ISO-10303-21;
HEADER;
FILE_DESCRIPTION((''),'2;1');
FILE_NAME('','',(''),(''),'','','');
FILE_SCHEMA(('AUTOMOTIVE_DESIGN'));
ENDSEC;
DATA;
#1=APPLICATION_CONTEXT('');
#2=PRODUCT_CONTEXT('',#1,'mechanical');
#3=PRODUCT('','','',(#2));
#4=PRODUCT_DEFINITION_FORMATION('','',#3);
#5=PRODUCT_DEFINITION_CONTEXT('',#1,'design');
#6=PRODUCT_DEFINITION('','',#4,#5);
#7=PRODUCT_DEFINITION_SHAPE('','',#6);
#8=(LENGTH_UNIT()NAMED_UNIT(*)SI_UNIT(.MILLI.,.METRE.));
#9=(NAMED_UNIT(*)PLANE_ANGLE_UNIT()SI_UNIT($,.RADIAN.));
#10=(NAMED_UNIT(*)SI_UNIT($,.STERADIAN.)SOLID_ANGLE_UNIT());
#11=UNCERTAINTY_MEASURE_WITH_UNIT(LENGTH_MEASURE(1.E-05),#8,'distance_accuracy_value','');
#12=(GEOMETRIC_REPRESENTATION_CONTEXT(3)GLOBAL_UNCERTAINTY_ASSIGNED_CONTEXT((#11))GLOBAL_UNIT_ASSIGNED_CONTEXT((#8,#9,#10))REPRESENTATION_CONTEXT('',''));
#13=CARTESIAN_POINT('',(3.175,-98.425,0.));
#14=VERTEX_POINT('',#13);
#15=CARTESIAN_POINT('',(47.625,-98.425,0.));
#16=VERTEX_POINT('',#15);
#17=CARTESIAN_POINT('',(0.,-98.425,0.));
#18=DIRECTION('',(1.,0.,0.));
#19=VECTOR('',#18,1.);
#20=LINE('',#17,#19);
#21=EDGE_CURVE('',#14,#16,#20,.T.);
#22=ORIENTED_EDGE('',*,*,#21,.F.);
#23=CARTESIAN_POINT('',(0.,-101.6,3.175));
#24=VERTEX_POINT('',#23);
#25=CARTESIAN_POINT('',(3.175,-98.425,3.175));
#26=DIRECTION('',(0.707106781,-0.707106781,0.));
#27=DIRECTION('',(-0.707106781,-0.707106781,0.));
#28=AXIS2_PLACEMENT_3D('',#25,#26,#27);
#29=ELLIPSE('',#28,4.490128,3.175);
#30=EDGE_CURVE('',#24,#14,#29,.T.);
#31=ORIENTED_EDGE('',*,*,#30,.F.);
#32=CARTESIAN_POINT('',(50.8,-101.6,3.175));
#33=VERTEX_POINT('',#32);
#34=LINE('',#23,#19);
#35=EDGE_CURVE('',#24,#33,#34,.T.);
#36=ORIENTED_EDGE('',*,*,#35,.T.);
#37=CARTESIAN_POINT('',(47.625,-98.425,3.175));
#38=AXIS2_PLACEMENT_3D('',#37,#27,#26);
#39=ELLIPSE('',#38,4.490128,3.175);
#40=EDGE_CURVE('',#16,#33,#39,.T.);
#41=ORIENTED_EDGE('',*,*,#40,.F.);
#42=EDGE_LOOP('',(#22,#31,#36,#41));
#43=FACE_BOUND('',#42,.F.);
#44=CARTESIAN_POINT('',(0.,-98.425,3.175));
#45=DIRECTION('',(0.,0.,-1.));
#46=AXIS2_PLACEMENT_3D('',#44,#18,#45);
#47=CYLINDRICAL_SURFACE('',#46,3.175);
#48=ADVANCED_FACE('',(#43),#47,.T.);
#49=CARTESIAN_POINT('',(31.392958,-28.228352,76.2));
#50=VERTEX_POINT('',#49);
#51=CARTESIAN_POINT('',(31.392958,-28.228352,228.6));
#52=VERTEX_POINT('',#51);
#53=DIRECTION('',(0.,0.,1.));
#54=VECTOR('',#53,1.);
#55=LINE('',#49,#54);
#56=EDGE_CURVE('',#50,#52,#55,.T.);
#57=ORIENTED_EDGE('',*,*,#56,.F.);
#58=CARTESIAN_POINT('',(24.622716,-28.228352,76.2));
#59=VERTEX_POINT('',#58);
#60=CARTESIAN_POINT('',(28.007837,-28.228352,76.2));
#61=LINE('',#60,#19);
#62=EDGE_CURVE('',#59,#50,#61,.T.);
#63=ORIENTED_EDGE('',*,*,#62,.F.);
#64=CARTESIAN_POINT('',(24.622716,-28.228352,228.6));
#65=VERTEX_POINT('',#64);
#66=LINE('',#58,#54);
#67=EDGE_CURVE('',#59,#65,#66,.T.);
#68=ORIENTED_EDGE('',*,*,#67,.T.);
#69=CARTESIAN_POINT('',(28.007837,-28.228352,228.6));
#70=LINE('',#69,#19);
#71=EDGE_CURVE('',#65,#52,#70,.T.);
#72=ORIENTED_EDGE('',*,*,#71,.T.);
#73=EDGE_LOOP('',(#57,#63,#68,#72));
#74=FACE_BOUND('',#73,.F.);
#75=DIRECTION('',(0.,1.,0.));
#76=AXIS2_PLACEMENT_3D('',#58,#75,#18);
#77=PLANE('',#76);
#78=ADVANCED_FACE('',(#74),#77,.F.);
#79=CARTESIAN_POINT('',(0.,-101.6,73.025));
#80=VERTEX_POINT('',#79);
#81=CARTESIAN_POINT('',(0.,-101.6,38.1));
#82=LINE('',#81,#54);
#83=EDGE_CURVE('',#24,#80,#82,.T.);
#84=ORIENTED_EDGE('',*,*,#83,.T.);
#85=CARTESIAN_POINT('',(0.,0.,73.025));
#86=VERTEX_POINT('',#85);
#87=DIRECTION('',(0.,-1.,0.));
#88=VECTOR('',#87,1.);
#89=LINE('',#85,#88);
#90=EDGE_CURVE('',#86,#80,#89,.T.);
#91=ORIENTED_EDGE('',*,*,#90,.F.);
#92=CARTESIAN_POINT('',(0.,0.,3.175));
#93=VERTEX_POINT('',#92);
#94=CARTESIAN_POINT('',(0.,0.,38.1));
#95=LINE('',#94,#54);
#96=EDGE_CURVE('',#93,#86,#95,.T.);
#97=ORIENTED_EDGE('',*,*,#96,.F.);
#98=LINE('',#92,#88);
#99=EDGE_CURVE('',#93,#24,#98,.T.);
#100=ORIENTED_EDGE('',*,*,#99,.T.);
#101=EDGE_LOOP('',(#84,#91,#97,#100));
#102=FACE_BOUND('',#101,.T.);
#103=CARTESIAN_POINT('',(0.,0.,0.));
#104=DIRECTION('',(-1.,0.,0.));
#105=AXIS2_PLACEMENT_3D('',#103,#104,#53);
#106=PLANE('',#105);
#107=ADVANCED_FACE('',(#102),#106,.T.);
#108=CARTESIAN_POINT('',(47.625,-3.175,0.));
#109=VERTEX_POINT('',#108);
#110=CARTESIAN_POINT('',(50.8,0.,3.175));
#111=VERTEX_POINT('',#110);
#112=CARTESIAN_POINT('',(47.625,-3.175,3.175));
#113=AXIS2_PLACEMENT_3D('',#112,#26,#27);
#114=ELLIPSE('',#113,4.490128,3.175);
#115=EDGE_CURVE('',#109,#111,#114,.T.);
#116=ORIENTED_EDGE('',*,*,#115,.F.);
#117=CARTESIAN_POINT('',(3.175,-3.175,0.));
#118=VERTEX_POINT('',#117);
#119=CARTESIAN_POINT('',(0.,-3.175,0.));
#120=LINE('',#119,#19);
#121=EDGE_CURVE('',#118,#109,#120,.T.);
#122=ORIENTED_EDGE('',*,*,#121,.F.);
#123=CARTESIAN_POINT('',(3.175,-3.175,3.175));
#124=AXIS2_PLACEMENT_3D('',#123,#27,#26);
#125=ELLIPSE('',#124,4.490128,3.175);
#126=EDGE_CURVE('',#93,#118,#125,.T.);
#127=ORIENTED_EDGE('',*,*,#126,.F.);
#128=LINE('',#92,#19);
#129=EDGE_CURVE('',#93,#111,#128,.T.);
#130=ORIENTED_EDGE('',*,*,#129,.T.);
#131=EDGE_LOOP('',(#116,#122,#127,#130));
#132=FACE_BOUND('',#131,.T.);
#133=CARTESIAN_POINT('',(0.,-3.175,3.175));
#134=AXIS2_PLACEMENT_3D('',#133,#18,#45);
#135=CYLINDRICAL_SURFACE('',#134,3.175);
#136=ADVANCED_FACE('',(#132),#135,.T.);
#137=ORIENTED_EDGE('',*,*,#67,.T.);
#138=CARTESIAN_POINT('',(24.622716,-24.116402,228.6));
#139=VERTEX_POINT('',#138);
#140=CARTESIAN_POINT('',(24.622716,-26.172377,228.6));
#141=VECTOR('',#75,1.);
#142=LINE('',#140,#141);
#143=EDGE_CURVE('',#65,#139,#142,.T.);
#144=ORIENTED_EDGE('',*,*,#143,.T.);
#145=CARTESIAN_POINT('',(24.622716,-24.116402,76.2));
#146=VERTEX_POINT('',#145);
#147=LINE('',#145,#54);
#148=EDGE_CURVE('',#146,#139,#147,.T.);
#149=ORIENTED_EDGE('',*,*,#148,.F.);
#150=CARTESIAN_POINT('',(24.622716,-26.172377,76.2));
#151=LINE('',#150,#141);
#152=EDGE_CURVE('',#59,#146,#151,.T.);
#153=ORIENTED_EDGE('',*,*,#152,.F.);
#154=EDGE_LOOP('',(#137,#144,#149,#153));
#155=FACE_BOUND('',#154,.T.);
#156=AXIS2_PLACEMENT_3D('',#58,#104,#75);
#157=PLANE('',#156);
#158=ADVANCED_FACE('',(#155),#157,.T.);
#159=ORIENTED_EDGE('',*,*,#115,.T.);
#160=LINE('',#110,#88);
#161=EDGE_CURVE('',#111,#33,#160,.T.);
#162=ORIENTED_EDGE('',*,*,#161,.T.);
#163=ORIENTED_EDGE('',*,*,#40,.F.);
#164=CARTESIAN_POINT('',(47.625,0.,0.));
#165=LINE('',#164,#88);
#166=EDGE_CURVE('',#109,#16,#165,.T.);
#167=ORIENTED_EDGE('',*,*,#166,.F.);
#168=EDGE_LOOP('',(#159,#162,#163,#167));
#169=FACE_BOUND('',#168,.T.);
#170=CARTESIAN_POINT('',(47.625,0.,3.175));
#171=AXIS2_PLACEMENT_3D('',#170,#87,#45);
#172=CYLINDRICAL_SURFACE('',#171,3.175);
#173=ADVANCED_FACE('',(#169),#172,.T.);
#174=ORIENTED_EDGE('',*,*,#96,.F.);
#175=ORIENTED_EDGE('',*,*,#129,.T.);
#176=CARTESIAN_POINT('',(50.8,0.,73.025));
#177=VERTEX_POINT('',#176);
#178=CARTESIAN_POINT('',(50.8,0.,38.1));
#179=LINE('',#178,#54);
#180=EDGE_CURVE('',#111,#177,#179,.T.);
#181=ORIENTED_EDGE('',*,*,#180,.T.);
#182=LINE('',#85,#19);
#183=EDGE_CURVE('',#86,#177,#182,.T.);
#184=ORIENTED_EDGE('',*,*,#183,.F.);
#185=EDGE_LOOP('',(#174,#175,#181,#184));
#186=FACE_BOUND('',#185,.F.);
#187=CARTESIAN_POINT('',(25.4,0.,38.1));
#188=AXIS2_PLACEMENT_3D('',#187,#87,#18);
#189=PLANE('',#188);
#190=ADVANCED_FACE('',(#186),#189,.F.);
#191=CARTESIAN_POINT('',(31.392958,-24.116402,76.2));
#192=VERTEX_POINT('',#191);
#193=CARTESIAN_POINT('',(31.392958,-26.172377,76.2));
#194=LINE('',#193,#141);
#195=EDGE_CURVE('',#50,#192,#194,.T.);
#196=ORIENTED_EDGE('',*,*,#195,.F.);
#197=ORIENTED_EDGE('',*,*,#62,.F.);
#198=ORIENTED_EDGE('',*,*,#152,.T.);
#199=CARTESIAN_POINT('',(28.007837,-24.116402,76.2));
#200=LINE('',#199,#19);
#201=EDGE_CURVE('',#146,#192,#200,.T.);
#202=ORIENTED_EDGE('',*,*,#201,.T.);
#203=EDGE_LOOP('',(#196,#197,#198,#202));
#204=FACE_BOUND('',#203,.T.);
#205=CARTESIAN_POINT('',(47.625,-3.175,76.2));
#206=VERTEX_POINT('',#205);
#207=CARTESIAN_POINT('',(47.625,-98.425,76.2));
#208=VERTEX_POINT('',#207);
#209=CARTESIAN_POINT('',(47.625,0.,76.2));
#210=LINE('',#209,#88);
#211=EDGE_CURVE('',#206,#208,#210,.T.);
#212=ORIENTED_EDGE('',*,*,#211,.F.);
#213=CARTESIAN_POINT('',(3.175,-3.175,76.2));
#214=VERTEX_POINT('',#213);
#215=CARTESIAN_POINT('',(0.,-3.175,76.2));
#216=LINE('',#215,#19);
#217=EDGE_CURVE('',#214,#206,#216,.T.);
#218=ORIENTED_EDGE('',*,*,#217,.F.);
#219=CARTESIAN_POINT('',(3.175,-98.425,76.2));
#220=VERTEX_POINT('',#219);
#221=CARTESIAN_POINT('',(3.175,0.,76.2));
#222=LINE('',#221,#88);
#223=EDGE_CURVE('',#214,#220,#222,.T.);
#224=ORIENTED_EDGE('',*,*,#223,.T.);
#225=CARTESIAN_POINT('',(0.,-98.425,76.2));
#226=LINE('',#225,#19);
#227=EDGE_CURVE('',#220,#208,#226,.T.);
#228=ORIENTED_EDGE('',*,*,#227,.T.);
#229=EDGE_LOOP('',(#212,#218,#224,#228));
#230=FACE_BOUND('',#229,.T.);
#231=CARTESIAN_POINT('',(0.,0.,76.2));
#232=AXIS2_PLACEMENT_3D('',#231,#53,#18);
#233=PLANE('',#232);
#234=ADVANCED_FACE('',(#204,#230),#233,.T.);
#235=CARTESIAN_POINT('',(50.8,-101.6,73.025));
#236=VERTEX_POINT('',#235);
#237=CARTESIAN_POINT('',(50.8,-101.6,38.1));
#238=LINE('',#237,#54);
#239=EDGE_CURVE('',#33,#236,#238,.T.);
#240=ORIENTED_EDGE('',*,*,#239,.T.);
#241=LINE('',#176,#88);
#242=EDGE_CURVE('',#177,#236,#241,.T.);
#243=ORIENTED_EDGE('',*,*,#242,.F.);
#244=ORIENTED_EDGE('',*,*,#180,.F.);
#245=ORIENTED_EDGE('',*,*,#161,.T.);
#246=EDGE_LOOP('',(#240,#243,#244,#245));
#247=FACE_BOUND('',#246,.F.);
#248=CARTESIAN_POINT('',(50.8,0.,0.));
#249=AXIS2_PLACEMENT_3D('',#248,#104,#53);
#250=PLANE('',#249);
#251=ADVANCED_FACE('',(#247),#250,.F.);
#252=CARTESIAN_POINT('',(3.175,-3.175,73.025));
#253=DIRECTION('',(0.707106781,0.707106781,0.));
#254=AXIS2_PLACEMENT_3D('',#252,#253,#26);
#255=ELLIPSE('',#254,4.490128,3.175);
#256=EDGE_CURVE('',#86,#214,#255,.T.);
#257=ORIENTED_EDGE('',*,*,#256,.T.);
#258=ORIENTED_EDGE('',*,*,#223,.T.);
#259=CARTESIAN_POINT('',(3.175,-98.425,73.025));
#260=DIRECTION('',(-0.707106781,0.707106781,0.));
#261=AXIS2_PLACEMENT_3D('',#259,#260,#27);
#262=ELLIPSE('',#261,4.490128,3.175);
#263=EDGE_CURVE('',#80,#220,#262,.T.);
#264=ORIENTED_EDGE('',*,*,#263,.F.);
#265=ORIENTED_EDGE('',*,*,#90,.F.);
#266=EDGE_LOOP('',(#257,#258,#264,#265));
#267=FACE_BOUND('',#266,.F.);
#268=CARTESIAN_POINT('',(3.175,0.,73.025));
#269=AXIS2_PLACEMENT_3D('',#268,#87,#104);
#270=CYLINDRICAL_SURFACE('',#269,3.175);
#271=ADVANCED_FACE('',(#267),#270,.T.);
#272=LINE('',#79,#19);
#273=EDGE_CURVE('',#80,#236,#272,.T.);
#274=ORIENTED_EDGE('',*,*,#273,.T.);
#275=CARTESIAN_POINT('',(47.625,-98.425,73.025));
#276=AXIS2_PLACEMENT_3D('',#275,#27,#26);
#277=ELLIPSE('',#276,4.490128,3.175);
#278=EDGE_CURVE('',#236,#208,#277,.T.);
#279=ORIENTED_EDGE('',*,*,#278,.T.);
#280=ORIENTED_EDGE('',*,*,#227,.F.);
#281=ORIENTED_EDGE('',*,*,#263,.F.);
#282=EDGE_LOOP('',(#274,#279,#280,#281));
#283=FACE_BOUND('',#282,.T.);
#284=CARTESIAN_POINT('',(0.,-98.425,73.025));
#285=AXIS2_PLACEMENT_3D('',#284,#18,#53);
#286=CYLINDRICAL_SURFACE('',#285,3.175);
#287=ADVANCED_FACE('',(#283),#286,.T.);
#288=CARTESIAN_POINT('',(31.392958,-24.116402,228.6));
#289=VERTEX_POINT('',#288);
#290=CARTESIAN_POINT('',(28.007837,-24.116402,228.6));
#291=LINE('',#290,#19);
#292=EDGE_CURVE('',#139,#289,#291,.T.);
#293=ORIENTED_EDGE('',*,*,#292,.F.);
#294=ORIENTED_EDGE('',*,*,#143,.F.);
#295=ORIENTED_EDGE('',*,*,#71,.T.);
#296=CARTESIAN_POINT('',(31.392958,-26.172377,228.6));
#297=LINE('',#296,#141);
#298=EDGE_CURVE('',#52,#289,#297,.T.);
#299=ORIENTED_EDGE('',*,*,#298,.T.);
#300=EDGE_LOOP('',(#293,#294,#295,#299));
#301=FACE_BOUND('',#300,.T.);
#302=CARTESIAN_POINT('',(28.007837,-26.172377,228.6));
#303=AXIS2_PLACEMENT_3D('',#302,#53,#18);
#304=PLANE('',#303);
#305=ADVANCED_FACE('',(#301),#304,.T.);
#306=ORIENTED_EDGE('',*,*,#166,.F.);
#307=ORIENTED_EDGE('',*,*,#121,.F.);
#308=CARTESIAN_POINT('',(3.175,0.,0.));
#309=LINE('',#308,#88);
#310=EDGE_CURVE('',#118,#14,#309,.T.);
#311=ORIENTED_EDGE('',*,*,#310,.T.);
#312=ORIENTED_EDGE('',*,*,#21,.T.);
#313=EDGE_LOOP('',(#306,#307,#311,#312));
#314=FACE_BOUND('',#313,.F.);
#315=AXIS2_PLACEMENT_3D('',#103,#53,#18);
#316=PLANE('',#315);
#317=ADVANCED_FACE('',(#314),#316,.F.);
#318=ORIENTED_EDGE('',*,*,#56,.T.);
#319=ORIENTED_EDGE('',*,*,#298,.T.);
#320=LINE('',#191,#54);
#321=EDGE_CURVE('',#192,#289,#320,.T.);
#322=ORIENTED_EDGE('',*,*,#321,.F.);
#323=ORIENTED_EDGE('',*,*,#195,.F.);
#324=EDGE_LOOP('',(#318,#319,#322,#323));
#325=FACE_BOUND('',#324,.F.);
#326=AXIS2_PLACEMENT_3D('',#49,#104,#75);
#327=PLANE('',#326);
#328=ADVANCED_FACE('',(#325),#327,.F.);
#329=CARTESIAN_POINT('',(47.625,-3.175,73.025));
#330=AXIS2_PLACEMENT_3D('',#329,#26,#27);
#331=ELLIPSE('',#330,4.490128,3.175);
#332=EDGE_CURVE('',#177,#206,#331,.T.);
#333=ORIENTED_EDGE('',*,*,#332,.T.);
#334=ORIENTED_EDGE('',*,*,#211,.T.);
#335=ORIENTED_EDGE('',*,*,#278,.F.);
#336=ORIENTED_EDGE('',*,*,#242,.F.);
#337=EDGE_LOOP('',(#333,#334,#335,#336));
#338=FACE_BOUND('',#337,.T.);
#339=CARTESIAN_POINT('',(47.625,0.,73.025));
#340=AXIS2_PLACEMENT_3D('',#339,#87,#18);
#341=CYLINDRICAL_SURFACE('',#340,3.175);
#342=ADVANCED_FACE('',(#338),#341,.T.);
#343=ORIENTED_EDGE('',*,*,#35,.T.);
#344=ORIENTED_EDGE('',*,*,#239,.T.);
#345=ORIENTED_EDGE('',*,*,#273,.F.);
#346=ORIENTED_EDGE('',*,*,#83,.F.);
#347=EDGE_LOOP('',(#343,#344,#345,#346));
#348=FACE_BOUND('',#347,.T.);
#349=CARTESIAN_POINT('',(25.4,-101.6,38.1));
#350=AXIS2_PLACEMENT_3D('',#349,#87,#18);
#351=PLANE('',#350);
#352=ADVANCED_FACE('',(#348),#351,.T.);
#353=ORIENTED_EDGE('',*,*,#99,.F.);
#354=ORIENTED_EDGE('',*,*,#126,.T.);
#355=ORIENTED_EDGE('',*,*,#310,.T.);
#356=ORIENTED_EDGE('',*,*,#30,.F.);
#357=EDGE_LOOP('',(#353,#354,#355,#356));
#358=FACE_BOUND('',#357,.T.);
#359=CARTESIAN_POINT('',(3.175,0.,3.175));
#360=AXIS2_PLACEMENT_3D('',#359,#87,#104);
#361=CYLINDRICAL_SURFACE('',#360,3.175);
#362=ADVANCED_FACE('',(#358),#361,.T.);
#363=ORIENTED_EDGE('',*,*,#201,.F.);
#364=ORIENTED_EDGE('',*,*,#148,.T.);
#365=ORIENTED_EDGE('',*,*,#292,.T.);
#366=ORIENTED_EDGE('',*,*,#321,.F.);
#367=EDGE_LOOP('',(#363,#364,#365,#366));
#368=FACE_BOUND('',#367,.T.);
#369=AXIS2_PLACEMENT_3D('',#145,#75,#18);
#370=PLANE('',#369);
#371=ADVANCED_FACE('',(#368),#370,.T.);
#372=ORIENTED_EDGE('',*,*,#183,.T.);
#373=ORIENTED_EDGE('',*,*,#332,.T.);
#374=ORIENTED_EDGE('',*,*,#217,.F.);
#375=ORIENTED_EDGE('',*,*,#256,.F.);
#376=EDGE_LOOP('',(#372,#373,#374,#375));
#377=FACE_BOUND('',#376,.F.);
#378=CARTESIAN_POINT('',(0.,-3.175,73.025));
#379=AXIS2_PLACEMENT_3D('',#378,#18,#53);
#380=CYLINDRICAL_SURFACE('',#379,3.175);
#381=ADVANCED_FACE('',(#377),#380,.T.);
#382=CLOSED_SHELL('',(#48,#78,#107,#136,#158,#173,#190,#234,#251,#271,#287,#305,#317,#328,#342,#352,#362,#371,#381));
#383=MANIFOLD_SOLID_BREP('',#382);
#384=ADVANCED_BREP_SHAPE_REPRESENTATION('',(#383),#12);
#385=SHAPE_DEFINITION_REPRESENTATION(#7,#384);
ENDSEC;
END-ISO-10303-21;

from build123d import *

# Parameters (mm, degrees)
F0_W     = 50.8
F0_H     = 76.2
F1_DEPTH = 101.6
F2_R     = 3.175
F3_W     = 6.770242
F3_H     = 4.11195
F4_DEPTH = 152.4


with BuildPart() as f1:
    # F0 (on Front) → F1 (new body)
    with BuildSketch(Plane.XZ):
        with Locations((25.4, 38.1)):
            Rectangle(F0_W, F0_H)
    extrude(amount=F1_DEPTH)

    # F2
    f2_edges = [f1.edges().sort_by_distance(p)[0] for p in [
        (50.8, -50.8, 76.2),
        (0, -50.8, 76.2),
        (25.4, 0, 76.2),
        (25.4, -101.6, 76.2),
        (0, -50.8, 0),
        (50.8, -50.8, 0),
        (25.4, 0, 0),
        (25.4, -101.6, 0),
    ]]
    fillet(f2_edges, radius=F2_R)

    # F3 (on face) → F4 (join)
    with BuildSketch(Plane.XY.offset(76.2)):
        with Locations((28.007837, -26.172377)):
            Rectangle(F3_W, F3_H)
    extrude(amount=F4_DEPTH)


solid = f1.part
